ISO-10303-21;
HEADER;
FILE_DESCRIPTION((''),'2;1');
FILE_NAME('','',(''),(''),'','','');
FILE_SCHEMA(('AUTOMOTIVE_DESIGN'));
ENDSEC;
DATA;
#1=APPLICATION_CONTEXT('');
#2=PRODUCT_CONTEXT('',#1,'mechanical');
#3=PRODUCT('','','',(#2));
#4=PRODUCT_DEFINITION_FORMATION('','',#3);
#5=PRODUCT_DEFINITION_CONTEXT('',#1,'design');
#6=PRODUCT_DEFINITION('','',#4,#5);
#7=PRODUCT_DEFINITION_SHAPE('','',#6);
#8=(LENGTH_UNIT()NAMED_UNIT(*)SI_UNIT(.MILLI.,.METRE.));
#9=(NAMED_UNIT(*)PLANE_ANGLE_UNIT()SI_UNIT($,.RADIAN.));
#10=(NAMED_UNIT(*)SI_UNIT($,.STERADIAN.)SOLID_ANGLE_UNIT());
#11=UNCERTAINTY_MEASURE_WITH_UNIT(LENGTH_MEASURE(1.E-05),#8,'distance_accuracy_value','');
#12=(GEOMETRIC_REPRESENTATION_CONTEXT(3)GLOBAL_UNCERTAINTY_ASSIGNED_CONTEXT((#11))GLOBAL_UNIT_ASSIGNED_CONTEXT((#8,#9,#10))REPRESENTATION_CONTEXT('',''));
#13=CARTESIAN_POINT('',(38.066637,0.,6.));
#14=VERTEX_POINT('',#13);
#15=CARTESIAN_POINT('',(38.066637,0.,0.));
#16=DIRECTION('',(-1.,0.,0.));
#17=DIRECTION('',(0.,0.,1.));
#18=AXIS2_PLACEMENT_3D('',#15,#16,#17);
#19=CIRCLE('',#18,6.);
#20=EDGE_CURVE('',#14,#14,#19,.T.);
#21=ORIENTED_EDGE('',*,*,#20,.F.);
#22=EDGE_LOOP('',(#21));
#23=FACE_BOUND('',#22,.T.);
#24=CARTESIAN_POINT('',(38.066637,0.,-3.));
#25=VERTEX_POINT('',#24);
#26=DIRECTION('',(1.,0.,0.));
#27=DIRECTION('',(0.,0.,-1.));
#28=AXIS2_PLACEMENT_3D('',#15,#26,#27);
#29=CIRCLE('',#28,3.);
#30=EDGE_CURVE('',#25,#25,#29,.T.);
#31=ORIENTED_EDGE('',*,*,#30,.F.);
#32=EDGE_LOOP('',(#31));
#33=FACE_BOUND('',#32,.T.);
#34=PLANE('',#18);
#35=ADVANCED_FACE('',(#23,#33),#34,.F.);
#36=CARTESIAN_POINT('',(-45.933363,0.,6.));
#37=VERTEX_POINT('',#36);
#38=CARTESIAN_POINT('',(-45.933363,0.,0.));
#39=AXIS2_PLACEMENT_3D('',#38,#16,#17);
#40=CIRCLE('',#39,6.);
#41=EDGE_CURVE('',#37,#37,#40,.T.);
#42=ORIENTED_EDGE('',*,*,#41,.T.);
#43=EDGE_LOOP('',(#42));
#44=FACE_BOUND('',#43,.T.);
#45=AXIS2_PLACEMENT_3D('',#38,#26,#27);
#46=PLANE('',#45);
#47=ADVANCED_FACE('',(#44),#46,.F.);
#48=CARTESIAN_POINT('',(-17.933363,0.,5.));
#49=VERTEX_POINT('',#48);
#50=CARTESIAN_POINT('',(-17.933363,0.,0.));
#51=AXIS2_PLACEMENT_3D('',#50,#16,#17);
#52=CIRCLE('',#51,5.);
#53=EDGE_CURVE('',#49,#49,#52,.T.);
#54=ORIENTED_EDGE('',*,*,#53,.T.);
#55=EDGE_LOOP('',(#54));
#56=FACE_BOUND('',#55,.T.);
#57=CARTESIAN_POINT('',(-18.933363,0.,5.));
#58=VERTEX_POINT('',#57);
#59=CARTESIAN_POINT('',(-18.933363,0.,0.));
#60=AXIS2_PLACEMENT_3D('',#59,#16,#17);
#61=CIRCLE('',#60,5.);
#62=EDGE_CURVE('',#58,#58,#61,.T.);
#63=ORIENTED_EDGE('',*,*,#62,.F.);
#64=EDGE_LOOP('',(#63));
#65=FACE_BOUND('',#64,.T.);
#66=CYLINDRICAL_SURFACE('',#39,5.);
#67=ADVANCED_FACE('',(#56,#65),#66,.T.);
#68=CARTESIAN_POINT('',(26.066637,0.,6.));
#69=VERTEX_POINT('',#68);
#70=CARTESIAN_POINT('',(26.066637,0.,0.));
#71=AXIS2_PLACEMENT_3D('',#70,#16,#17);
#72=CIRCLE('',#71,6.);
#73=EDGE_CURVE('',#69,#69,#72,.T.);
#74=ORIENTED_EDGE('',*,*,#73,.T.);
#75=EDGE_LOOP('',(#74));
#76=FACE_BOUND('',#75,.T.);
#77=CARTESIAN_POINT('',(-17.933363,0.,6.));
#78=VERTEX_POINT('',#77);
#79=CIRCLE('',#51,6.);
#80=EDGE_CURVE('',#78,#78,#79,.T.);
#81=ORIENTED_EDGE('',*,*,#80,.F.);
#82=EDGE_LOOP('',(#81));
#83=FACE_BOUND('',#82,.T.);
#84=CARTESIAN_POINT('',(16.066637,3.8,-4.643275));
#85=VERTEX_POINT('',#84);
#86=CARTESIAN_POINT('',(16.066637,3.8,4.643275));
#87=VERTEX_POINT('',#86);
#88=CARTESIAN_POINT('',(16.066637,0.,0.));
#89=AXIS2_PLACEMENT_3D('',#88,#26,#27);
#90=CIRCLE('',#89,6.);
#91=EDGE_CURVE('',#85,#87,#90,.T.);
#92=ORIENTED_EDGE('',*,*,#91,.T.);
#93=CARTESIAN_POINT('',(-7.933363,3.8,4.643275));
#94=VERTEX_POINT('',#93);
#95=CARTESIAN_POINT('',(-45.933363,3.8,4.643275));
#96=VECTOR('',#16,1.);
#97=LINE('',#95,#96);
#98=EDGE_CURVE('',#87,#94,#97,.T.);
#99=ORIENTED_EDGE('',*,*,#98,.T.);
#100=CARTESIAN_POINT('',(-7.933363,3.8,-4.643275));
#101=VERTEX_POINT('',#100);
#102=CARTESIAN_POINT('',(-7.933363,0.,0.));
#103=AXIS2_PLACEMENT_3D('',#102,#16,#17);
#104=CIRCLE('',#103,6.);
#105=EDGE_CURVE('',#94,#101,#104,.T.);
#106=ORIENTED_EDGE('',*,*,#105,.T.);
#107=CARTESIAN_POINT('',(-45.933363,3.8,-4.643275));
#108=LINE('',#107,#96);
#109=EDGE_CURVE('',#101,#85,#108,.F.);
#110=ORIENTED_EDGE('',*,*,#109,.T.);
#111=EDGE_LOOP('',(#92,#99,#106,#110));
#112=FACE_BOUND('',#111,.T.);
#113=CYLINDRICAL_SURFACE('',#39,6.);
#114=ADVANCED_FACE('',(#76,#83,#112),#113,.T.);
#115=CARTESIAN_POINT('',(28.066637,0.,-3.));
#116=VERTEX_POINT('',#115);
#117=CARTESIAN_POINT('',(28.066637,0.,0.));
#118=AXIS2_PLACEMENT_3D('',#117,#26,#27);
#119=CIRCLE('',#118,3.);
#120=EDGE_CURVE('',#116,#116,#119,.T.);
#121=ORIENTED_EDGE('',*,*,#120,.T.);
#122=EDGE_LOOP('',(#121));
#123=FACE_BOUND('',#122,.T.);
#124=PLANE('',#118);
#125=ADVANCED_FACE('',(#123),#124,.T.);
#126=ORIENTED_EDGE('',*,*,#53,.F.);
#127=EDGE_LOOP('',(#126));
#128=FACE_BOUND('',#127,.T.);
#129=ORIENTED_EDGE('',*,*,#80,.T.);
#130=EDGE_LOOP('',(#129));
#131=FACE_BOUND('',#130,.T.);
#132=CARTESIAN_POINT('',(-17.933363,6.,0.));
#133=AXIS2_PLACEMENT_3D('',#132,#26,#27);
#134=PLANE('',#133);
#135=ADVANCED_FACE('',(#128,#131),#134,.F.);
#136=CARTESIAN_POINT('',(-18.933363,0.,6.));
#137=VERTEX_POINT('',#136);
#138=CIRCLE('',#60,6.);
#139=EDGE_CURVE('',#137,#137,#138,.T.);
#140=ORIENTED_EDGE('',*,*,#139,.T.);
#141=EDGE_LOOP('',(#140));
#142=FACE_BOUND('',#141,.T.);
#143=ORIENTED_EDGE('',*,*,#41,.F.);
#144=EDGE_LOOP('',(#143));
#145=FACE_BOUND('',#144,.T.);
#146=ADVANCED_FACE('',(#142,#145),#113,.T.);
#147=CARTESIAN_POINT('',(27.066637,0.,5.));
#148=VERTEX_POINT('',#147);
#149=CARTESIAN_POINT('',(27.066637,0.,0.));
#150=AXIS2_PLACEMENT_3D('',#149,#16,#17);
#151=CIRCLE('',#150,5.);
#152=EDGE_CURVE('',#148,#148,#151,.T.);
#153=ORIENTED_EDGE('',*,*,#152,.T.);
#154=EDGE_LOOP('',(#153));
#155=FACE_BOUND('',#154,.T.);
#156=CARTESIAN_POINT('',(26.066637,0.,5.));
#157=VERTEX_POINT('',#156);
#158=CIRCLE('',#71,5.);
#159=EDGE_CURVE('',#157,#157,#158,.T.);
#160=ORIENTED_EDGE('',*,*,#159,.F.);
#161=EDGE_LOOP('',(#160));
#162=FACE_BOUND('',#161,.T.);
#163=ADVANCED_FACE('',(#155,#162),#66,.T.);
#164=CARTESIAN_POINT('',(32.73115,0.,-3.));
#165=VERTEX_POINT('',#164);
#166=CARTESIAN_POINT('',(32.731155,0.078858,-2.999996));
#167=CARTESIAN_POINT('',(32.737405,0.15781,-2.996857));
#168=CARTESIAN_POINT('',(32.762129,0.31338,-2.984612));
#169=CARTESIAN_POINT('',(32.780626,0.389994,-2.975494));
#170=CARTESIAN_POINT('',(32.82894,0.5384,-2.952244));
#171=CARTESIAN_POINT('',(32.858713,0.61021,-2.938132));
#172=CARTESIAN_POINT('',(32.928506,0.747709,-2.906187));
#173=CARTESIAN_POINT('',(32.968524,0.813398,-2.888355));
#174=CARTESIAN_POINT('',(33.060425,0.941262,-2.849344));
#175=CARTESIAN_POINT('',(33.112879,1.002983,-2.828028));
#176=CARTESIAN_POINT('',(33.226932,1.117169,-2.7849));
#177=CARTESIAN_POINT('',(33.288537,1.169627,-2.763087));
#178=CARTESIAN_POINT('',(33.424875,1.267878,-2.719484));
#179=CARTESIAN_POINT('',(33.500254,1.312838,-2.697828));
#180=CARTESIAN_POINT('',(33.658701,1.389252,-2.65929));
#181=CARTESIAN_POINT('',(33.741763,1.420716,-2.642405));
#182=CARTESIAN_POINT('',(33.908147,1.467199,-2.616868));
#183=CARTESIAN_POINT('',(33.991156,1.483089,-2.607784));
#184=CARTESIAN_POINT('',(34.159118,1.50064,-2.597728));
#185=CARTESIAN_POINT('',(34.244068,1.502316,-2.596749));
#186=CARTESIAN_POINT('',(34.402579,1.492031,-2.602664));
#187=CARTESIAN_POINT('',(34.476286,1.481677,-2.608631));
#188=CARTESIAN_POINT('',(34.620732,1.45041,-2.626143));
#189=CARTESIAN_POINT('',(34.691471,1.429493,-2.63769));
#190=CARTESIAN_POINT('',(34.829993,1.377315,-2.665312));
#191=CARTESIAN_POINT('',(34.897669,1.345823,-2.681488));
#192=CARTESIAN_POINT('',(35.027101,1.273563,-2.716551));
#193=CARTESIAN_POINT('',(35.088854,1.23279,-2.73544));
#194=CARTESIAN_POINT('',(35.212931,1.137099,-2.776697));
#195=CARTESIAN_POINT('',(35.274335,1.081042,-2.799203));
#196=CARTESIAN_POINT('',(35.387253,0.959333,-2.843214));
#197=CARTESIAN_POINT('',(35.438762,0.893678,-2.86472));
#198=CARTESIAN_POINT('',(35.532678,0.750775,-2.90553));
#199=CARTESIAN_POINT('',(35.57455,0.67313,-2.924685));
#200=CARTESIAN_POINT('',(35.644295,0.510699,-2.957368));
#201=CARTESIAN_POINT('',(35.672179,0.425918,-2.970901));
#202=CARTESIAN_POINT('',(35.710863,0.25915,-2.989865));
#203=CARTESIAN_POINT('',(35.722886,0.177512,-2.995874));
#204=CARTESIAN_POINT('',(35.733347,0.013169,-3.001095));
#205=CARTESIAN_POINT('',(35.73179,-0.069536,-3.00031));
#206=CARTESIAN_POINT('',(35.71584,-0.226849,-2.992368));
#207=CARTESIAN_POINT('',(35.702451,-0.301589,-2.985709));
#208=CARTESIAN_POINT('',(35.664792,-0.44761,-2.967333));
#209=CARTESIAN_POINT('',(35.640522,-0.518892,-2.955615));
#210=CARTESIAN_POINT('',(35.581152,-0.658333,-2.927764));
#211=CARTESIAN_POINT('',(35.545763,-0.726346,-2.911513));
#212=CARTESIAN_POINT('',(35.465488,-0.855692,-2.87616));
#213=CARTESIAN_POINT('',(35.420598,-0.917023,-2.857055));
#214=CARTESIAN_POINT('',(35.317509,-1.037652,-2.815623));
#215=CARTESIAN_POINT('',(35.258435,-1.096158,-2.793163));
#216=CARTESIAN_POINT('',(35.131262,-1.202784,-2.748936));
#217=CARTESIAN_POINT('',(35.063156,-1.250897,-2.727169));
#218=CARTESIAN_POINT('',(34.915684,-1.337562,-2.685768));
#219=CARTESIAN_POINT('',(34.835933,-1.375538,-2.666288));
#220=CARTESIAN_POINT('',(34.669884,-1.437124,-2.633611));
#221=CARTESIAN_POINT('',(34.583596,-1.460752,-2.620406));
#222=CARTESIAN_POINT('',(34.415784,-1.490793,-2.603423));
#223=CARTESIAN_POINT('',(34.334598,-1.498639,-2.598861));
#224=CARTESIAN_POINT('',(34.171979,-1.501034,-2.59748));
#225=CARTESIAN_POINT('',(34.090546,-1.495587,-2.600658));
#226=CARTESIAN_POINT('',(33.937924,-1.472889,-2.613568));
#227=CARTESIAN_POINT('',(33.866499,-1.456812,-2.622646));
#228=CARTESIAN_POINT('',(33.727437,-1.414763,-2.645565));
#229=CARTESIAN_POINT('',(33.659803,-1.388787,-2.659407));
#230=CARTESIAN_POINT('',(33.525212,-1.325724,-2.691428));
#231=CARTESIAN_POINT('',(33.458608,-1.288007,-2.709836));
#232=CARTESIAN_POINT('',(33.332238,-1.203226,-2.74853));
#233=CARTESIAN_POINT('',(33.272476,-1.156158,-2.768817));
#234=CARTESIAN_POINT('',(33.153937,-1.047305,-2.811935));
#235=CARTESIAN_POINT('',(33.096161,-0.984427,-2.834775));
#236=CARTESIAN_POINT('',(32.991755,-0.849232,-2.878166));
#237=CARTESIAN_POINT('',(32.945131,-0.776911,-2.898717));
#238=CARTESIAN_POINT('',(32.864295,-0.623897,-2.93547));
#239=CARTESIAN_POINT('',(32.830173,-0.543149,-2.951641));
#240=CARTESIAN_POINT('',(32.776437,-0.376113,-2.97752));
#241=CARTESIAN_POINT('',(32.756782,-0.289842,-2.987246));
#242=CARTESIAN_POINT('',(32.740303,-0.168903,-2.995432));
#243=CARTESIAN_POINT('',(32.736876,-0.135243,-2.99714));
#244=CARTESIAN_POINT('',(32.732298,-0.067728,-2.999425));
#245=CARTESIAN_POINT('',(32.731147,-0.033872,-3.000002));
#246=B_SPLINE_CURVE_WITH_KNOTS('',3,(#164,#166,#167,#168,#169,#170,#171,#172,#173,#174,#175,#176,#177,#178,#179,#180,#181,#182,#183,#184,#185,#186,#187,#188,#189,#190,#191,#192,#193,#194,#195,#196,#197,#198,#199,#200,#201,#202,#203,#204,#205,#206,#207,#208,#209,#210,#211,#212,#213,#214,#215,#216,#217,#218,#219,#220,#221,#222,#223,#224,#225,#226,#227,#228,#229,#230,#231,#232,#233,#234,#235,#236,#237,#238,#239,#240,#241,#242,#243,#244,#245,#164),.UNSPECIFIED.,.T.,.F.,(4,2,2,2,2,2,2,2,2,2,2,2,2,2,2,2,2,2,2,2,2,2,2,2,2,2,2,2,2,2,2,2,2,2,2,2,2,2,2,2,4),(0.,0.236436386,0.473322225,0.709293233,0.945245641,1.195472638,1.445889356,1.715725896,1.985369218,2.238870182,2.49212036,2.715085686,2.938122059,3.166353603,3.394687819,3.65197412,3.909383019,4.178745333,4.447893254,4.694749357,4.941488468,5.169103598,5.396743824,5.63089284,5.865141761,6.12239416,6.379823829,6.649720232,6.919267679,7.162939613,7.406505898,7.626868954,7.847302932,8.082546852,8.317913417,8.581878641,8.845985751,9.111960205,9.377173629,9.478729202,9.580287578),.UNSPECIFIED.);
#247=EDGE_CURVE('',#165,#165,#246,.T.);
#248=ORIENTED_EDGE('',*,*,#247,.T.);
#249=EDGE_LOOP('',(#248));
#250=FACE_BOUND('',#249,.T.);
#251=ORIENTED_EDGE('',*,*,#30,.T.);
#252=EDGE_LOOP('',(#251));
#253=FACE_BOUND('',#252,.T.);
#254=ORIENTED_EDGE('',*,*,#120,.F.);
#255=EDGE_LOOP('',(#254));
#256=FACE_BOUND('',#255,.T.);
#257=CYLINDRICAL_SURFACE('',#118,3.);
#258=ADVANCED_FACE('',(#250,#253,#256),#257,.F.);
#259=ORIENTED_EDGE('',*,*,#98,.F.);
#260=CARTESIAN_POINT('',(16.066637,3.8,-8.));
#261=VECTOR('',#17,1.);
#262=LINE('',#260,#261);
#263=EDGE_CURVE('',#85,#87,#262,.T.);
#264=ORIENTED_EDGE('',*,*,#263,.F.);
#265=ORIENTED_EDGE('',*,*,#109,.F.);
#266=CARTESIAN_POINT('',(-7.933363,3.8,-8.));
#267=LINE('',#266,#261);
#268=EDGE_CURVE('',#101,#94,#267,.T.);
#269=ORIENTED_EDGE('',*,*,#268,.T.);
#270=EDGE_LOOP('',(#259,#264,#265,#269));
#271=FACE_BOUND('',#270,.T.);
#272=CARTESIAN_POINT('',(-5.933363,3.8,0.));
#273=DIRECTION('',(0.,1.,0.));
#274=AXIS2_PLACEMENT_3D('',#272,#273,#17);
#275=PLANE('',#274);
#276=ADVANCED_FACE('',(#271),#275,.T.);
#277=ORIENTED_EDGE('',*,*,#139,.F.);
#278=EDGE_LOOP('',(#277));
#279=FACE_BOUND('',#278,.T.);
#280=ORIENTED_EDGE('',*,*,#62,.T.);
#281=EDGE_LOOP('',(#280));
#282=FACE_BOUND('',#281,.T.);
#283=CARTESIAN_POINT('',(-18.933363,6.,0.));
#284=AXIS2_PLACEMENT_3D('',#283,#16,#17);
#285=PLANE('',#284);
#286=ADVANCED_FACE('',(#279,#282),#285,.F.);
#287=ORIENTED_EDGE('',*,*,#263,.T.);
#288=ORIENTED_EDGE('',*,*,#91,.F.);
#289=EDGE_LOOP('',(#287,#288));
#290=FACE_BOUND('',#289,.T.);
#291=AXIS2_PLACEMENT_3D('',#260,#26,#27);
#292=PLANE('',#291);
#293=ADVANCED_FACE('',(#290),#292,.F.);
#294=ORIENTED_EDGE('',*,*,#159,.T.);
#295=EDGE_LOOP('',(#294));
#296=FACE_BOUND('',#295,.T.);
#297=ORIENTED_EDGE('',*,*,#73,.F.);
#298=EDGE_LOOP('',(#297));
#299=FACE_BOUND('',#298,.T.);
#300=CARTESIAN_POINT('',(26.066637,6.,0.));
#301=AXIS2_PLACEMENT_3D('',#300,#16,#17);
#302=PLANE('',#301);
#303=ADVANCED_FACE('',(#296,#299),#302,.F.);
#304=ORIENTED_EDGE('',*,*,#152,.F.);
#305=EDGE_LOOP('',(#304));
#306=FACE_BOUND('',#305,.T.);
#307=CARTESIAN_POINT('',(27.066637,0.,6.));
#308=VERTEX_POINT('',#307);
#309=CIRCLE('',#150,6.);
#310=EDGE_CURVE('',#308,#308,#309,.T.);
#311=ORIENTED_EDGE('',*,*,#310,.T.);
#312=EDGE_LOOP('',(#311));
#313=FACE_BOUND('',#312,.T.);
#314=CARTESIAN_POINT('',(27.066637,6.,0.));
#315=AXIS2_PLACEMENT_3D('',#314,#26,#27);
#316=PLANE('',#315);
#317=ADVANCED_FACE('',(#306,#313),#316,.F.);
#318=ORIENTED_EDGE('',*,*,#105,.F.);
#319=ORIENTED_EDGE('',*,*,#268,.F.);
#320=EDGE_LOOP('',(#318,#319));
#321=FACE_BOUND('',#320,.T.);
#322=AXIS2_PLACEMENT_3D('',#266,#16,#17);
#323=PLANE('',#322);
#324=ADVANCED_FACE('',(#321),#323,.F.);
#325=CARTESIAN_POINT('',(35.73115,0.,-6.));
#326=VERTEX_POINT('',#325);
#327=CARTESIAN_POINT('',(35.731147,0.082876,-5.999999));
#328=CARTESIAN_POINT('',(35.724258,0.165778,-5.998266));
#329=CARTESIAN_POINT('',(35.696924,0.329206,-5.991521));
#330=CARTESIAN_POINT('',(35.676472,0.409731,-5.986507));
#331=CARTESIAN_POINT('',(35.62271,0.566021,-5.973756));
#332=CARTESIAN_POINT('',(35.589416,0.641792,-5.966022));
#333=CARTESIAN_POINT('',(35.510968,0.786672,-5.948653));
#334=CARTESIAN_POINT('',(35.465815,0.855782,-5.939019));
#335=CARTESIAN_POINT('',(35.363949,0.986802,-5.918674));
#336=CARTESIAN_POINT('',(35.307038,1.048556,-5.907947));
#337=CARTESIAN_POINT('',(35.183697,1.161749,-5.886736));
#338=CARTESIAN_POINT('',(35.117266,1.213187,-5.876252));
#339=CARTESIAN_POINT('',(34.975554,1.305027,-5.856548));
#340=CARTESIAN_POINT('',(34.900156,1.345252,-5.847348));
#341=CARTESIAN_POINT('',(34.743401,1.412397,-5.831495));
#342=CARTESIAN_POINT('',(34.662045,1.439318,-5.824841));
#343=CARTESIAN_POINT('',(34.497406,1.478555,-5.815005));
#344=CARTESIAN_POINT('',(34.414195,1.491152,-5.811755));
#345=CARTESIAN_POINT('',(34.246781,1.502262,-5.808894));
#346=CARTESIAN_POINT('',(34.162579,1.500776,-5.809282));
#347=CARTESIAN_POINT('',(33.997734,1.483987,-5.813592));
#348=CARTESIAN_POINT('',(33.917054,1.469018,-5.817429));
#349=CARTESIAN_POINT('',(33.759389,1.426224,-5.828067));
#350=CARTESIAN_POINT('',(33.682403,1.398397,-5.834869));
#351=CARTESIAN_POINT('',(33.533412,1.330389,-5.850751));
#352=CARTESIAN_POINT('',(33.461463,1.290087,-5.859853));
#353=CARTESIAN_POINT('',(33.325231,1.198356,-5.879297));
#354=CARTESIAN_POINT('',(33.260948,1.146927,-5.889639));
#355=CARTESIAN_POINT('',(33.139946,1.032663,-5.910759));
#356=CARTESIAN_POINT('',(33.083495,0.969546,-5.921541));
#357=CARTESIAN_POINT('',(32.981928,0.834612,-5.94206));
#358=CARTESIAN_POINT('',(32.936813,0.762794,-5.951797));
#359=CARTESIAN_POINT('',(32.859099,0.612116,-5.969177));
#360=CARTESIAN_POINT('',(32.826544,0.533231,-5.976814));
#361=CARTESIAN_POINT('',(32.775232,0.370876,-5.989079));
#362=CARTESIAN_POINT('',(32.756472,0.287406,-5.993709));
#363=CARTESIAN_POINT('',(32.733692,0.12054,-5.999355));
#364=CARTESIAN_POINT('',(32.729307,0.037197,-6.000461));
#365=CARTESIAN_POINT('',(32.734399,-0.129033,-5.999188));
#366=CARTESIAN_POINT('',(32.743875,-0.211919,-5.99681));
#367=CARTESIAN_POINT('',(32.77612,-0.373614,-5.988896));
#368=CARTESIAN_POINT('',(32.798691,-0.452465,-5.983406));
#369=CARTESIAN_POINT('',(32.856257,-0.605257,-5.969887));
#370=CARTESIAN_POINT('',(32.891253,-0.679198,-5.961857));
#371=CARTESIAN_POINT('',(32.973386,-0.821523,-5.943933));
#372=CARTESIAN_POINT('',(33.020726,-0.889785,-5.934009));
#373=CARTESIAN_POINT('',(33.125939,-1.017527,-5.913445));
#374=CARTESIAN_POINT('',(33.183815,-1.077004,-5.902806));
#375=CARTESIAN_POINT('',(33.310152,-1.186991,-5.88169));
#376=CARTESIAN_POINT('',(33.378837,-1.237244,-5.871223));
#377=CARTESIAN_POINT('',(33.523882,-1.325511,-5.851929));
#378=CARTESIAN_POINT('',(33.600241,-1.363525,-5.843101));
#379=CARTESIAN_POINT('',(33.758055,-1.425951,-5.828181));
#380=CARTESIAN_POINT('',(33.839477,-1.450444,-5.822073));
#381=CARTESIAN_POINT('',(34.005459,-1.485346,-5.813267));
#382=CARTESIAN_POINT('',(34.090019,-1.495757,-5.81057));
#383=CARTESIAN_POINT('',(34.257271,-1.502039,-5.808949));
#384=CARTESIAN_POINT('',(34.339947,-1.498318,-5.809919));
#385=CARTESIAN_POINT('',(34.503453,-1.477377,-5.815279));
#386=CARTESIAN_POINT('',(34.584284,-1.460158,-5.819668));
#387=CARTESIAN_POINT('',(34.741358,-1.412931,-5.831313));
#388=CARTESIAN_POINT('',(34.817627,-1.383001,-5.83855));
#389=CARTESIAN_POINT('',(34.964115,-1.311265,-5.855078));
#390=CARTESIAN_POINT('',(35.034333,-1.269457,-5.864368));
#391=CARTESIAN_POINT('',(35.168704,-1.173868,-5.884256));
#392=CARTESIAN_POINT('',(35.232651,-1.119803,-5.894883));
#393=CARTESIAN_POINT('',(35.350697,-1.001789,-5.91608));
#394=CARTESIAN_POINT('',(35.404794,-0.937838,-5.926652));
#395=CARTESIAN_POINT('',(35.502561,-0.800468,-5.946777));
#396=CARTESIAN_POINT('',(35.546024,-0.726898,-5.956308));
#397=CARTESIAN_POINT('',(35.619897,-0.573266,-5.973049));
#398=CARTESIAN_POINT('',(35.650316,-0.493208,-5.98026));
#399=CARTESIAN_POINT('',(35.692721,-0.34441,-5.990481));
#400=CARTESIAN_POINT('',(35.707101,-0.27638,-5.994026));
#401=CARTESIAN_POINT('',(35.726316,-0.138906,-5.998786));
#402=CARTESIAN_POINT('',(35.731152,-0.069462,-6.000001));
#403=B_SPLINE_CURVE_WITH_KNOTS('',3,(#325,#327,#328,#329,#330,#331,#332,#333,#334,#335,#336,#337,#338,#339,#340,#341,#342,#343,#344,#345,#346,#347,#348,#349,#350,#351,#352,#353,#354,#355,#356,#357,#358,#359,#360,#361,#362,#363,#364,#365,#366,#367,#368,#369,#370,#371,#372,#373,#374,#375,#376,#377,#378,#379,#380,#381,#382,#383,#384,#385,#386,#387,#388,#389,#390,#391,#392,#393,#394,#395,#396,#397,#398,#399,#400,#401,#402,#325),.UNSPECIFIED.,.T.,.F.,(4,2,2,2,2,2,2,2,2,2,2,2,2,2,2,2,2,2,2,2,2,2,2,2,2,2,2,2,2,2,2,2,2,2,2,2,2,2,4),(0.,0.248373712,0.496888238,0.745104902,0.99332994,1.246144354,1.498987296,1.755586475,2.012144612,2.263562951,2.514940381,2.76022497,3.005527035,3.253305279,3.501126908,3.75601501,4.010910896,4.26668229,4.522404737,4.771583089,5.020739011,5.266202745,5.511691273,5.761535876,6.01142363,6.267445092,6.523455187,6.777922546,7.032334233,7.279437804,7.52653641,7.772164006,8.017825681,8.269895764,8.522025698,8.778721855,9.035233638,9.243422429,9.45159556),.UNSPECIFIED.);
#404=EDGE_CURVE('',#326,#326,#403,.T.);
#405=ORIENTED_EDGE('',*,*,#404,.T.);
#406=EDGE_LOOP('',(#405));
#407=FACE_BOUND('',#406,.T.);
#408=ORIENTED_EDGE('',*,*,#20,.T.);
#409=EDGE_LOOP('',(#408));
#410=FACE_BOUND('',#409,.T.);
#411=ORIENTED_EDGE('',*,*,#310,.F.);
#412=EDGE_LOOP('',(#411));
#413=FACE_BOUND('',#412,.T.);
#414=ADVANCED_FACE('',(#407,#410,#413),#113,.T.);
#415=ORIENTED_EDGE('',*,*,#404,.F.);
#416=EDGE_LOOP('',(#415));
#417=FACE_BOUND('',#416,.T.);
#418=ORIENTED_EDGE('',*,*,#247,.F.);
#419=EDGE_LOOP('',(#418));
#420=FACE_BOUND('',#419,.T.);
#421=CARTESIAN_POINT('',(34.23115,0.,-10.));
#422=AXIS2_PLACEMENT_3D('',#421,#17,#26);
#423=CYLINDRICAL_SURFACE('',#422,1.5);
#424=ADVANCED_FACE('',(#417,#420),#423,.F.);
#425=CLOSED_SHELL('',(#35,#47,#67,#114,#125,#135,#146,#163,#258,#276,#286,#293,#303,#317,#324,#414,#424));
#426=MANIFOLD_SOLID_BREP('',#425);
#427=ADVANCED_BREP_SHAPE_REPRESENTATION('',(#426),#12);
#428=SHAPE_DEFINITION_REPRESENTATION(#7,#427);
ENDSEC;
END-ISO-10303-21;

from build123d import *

# Parameters (mm, degrees)
SKETCH2_R          = 3
CUT_EXTRUDE1_DEPTH = 10
SKETCH3_R          = 1.5
CUT_EXTRUDE2_DEPTH = 10
CUT_EXTRUDE3_DEPTH = 2.2
SKETCH6_W          = 24
SKETCH6_H          = 3.713708499
CUT_EXTRUDE4_DEPTH = 8


with BuildPart() as part:
    # Sketch1 → Revolve1 (revolve)
    with BuildSketch(Plane.XY, mode=Mode.PRIVATE) as revolve1_sk:
        Polygon((-45.933362566, 0), (38.066637434, 0), (38.066637434, 6), (27.066637434, 6), (27.066637434, 5), (26.066637434, 5), (26.066637434, 6), (-17.933362566, 6), (-17.933362566, 5), (-18.933362566, 5), (-18.933362566, 6), (-45.933362566, 6), align=None)
    revolve(revolve1_sk.sketch.rotate(Axis((-45.933362566, 0, 0), (1, 0, 0)), 90), axis=Axis((-45.933362566, 0, 0), (1, 0, 0)))

    # Sketch2 → Cut-Extrude1 (cut)
    with BuildSketch(Plane(origin=(38.066637434, 0, 0), x_dir=(0, 0, -1), z_dir=(1, 0, 0))):
        Circle(SKETCH2_R)
    extrude(amount=-CUT_EXTRUDE1_DEPTH, mode=Mode.SUBTRACT)

    # Sketch3 → Cut-Extrude2 (cut)
    with BuildSketch(Plane.XY):
        with Locations((34.231149576, 0)):
            Circle(SKETCH3_R)
    extrude(amount=-CUT_EXTRUDE2_DEPTH, mode=Mode.SUBTRACT)

    # Sketch5 → Cut-Extrude3 (cut)
    with BuildSketch(Plane(origin=(0, 6, 0), x_dir=(1, 0, 0), z_dir=(0, 1, 0))):
        with BuildLine():
            Line((-5.933362566, 2), (14.066637434, 2))
            ThreePointArc((14.066637434, 2), (16.066637434, 0), (14.066637434, -2))
            Line((14.066637434, -2), (-5.933362566, -2))
            ThreePointArc((-5.933362566, -2), (-7.933362566, 0), (-5.933362566, 2))
        make_face()
    extrude(amount=-CUT_EXTRUDE3_DEPTH, mode=Mode.SUBTRACT)

    # Sketch6 → Cut-Extrude4 (cut, symmetric)
    with BuildSketch(Plane.XY):
        with Locations((4.066637434, 5.65685425)):
            Rectangle(SKETCH6_W, SKETCH6_H)
    extrude(amount=CUT_EXTRUDE4_DEPTH, both=True, mode=Mode.SUBTRACT)


solid = part.part
